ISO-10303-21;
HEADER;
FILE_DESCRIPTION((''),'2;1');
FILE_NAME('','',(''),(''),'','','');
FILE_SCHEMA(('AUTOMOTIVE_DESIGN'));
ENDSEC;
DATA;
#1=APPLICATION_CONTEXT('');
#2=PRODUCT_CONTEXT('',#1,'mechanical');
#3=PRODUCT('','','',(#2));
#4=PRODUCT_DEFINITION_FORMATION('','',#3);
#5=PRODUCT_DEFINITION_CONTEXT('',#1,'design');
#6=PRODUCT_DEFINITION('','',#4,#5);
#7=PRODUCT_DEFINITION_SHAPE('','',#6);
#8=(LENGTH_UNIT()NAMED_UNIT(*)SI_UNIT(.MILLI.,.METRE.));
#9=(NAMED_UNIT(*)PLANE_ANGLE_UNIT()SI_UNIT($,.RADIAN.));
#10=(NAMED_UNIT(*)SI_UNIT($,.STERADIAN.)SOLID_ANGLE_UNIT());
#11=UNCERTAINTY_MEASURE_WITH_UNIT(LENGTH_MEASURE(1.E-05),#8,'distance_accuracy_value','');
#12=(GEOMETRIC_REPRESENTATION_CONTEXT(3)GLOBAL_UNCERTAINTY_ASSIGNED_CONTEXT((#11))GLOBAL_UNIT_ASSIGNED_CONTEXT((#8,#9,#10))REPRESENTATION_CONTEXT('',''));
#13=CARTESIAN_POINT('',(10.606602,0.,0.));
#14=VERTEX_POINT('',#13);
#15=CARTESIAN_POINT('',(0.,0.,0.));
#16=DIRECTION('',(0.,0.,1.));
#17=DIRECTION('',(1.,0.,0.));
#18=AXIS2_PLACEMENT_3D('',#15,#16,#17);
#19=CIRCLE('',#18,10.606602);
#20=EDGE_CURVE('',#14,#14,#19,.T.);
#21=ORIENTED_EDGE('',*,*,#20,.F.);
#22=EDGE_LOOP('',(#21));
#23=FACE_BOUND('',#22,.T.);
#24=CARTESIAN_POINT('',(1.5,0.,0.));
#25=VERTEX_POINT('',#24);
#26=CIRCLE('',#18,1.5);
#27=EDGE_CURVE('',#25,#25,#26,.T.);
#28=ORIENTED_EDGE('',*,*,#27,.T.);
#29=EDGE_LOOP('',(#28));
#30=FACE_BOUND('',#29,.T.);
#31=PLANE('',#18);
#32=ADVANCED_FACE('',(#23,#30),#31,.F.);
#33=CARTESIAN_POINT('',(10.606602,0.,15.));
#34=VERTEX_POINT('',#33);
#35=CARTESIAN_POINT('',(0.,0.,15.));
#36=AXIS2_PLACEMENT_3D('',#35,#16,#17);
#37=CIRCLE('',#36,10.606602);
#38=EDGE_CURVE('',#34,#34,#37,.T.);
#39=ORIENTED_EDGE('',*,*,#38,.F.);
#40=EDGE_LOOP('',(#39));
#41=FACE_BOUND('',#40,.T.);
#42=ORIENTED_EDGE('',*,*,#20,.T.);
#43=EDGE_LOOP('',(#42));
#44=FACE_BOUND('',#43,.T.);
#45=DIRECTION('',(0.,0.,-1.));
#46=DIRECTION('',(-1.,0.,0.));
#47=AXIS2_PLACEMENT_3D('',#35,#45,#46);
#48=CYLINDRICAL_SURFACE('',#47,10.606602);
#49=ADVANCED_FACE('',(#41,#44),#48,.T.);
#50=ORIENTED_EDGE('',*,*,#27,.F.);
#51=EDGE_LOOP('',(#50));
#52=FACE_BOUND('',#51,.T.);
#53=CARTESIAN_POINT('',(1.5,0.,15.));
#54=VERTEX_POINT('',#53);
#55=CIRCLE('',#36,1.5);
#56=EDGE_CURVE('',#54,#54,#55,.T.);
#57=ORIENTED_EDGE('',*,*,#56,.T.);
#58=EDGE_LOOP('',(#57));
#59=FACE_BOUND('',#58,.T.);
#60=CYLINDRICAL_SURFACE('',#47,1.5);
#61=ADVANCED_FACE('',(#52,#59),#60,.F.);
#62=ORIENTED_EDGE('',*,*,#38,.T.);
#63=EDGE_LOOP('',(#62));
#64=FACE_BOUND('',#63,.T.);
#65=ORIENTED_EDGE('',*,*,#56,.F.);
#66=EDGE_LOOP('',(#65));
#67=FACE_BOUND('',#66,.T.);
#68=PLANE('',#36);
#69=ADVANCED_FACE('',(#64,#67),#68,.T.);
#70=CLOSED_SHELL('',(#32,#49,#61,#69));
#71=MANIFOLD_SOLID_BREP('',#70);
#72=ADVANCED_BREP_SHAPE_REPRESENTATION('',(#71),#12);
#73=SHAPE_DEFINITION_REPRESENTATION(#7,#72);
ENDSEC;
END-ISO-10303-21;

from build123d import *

# Parameters (mm, degrees)
SKETCH_2_R      = 10.606601718
SKETCH_2_R_2    = 1.5
EXTRUDE_1_DEPTH = 15


with BuildPart() as part:
    # ｽｹｯﾁ2 → ﾎﾞｽ - 押し出し1 (new body)
    with BuildSketch(Plane.XY):
        Circle(SKETCH_2_R)
        Circle(SKETCH_2_R_2, mode=Mode.SUBTRACT)
    extrude(amount=EXTRUDE_1_DEPTH)


solid = part.part
